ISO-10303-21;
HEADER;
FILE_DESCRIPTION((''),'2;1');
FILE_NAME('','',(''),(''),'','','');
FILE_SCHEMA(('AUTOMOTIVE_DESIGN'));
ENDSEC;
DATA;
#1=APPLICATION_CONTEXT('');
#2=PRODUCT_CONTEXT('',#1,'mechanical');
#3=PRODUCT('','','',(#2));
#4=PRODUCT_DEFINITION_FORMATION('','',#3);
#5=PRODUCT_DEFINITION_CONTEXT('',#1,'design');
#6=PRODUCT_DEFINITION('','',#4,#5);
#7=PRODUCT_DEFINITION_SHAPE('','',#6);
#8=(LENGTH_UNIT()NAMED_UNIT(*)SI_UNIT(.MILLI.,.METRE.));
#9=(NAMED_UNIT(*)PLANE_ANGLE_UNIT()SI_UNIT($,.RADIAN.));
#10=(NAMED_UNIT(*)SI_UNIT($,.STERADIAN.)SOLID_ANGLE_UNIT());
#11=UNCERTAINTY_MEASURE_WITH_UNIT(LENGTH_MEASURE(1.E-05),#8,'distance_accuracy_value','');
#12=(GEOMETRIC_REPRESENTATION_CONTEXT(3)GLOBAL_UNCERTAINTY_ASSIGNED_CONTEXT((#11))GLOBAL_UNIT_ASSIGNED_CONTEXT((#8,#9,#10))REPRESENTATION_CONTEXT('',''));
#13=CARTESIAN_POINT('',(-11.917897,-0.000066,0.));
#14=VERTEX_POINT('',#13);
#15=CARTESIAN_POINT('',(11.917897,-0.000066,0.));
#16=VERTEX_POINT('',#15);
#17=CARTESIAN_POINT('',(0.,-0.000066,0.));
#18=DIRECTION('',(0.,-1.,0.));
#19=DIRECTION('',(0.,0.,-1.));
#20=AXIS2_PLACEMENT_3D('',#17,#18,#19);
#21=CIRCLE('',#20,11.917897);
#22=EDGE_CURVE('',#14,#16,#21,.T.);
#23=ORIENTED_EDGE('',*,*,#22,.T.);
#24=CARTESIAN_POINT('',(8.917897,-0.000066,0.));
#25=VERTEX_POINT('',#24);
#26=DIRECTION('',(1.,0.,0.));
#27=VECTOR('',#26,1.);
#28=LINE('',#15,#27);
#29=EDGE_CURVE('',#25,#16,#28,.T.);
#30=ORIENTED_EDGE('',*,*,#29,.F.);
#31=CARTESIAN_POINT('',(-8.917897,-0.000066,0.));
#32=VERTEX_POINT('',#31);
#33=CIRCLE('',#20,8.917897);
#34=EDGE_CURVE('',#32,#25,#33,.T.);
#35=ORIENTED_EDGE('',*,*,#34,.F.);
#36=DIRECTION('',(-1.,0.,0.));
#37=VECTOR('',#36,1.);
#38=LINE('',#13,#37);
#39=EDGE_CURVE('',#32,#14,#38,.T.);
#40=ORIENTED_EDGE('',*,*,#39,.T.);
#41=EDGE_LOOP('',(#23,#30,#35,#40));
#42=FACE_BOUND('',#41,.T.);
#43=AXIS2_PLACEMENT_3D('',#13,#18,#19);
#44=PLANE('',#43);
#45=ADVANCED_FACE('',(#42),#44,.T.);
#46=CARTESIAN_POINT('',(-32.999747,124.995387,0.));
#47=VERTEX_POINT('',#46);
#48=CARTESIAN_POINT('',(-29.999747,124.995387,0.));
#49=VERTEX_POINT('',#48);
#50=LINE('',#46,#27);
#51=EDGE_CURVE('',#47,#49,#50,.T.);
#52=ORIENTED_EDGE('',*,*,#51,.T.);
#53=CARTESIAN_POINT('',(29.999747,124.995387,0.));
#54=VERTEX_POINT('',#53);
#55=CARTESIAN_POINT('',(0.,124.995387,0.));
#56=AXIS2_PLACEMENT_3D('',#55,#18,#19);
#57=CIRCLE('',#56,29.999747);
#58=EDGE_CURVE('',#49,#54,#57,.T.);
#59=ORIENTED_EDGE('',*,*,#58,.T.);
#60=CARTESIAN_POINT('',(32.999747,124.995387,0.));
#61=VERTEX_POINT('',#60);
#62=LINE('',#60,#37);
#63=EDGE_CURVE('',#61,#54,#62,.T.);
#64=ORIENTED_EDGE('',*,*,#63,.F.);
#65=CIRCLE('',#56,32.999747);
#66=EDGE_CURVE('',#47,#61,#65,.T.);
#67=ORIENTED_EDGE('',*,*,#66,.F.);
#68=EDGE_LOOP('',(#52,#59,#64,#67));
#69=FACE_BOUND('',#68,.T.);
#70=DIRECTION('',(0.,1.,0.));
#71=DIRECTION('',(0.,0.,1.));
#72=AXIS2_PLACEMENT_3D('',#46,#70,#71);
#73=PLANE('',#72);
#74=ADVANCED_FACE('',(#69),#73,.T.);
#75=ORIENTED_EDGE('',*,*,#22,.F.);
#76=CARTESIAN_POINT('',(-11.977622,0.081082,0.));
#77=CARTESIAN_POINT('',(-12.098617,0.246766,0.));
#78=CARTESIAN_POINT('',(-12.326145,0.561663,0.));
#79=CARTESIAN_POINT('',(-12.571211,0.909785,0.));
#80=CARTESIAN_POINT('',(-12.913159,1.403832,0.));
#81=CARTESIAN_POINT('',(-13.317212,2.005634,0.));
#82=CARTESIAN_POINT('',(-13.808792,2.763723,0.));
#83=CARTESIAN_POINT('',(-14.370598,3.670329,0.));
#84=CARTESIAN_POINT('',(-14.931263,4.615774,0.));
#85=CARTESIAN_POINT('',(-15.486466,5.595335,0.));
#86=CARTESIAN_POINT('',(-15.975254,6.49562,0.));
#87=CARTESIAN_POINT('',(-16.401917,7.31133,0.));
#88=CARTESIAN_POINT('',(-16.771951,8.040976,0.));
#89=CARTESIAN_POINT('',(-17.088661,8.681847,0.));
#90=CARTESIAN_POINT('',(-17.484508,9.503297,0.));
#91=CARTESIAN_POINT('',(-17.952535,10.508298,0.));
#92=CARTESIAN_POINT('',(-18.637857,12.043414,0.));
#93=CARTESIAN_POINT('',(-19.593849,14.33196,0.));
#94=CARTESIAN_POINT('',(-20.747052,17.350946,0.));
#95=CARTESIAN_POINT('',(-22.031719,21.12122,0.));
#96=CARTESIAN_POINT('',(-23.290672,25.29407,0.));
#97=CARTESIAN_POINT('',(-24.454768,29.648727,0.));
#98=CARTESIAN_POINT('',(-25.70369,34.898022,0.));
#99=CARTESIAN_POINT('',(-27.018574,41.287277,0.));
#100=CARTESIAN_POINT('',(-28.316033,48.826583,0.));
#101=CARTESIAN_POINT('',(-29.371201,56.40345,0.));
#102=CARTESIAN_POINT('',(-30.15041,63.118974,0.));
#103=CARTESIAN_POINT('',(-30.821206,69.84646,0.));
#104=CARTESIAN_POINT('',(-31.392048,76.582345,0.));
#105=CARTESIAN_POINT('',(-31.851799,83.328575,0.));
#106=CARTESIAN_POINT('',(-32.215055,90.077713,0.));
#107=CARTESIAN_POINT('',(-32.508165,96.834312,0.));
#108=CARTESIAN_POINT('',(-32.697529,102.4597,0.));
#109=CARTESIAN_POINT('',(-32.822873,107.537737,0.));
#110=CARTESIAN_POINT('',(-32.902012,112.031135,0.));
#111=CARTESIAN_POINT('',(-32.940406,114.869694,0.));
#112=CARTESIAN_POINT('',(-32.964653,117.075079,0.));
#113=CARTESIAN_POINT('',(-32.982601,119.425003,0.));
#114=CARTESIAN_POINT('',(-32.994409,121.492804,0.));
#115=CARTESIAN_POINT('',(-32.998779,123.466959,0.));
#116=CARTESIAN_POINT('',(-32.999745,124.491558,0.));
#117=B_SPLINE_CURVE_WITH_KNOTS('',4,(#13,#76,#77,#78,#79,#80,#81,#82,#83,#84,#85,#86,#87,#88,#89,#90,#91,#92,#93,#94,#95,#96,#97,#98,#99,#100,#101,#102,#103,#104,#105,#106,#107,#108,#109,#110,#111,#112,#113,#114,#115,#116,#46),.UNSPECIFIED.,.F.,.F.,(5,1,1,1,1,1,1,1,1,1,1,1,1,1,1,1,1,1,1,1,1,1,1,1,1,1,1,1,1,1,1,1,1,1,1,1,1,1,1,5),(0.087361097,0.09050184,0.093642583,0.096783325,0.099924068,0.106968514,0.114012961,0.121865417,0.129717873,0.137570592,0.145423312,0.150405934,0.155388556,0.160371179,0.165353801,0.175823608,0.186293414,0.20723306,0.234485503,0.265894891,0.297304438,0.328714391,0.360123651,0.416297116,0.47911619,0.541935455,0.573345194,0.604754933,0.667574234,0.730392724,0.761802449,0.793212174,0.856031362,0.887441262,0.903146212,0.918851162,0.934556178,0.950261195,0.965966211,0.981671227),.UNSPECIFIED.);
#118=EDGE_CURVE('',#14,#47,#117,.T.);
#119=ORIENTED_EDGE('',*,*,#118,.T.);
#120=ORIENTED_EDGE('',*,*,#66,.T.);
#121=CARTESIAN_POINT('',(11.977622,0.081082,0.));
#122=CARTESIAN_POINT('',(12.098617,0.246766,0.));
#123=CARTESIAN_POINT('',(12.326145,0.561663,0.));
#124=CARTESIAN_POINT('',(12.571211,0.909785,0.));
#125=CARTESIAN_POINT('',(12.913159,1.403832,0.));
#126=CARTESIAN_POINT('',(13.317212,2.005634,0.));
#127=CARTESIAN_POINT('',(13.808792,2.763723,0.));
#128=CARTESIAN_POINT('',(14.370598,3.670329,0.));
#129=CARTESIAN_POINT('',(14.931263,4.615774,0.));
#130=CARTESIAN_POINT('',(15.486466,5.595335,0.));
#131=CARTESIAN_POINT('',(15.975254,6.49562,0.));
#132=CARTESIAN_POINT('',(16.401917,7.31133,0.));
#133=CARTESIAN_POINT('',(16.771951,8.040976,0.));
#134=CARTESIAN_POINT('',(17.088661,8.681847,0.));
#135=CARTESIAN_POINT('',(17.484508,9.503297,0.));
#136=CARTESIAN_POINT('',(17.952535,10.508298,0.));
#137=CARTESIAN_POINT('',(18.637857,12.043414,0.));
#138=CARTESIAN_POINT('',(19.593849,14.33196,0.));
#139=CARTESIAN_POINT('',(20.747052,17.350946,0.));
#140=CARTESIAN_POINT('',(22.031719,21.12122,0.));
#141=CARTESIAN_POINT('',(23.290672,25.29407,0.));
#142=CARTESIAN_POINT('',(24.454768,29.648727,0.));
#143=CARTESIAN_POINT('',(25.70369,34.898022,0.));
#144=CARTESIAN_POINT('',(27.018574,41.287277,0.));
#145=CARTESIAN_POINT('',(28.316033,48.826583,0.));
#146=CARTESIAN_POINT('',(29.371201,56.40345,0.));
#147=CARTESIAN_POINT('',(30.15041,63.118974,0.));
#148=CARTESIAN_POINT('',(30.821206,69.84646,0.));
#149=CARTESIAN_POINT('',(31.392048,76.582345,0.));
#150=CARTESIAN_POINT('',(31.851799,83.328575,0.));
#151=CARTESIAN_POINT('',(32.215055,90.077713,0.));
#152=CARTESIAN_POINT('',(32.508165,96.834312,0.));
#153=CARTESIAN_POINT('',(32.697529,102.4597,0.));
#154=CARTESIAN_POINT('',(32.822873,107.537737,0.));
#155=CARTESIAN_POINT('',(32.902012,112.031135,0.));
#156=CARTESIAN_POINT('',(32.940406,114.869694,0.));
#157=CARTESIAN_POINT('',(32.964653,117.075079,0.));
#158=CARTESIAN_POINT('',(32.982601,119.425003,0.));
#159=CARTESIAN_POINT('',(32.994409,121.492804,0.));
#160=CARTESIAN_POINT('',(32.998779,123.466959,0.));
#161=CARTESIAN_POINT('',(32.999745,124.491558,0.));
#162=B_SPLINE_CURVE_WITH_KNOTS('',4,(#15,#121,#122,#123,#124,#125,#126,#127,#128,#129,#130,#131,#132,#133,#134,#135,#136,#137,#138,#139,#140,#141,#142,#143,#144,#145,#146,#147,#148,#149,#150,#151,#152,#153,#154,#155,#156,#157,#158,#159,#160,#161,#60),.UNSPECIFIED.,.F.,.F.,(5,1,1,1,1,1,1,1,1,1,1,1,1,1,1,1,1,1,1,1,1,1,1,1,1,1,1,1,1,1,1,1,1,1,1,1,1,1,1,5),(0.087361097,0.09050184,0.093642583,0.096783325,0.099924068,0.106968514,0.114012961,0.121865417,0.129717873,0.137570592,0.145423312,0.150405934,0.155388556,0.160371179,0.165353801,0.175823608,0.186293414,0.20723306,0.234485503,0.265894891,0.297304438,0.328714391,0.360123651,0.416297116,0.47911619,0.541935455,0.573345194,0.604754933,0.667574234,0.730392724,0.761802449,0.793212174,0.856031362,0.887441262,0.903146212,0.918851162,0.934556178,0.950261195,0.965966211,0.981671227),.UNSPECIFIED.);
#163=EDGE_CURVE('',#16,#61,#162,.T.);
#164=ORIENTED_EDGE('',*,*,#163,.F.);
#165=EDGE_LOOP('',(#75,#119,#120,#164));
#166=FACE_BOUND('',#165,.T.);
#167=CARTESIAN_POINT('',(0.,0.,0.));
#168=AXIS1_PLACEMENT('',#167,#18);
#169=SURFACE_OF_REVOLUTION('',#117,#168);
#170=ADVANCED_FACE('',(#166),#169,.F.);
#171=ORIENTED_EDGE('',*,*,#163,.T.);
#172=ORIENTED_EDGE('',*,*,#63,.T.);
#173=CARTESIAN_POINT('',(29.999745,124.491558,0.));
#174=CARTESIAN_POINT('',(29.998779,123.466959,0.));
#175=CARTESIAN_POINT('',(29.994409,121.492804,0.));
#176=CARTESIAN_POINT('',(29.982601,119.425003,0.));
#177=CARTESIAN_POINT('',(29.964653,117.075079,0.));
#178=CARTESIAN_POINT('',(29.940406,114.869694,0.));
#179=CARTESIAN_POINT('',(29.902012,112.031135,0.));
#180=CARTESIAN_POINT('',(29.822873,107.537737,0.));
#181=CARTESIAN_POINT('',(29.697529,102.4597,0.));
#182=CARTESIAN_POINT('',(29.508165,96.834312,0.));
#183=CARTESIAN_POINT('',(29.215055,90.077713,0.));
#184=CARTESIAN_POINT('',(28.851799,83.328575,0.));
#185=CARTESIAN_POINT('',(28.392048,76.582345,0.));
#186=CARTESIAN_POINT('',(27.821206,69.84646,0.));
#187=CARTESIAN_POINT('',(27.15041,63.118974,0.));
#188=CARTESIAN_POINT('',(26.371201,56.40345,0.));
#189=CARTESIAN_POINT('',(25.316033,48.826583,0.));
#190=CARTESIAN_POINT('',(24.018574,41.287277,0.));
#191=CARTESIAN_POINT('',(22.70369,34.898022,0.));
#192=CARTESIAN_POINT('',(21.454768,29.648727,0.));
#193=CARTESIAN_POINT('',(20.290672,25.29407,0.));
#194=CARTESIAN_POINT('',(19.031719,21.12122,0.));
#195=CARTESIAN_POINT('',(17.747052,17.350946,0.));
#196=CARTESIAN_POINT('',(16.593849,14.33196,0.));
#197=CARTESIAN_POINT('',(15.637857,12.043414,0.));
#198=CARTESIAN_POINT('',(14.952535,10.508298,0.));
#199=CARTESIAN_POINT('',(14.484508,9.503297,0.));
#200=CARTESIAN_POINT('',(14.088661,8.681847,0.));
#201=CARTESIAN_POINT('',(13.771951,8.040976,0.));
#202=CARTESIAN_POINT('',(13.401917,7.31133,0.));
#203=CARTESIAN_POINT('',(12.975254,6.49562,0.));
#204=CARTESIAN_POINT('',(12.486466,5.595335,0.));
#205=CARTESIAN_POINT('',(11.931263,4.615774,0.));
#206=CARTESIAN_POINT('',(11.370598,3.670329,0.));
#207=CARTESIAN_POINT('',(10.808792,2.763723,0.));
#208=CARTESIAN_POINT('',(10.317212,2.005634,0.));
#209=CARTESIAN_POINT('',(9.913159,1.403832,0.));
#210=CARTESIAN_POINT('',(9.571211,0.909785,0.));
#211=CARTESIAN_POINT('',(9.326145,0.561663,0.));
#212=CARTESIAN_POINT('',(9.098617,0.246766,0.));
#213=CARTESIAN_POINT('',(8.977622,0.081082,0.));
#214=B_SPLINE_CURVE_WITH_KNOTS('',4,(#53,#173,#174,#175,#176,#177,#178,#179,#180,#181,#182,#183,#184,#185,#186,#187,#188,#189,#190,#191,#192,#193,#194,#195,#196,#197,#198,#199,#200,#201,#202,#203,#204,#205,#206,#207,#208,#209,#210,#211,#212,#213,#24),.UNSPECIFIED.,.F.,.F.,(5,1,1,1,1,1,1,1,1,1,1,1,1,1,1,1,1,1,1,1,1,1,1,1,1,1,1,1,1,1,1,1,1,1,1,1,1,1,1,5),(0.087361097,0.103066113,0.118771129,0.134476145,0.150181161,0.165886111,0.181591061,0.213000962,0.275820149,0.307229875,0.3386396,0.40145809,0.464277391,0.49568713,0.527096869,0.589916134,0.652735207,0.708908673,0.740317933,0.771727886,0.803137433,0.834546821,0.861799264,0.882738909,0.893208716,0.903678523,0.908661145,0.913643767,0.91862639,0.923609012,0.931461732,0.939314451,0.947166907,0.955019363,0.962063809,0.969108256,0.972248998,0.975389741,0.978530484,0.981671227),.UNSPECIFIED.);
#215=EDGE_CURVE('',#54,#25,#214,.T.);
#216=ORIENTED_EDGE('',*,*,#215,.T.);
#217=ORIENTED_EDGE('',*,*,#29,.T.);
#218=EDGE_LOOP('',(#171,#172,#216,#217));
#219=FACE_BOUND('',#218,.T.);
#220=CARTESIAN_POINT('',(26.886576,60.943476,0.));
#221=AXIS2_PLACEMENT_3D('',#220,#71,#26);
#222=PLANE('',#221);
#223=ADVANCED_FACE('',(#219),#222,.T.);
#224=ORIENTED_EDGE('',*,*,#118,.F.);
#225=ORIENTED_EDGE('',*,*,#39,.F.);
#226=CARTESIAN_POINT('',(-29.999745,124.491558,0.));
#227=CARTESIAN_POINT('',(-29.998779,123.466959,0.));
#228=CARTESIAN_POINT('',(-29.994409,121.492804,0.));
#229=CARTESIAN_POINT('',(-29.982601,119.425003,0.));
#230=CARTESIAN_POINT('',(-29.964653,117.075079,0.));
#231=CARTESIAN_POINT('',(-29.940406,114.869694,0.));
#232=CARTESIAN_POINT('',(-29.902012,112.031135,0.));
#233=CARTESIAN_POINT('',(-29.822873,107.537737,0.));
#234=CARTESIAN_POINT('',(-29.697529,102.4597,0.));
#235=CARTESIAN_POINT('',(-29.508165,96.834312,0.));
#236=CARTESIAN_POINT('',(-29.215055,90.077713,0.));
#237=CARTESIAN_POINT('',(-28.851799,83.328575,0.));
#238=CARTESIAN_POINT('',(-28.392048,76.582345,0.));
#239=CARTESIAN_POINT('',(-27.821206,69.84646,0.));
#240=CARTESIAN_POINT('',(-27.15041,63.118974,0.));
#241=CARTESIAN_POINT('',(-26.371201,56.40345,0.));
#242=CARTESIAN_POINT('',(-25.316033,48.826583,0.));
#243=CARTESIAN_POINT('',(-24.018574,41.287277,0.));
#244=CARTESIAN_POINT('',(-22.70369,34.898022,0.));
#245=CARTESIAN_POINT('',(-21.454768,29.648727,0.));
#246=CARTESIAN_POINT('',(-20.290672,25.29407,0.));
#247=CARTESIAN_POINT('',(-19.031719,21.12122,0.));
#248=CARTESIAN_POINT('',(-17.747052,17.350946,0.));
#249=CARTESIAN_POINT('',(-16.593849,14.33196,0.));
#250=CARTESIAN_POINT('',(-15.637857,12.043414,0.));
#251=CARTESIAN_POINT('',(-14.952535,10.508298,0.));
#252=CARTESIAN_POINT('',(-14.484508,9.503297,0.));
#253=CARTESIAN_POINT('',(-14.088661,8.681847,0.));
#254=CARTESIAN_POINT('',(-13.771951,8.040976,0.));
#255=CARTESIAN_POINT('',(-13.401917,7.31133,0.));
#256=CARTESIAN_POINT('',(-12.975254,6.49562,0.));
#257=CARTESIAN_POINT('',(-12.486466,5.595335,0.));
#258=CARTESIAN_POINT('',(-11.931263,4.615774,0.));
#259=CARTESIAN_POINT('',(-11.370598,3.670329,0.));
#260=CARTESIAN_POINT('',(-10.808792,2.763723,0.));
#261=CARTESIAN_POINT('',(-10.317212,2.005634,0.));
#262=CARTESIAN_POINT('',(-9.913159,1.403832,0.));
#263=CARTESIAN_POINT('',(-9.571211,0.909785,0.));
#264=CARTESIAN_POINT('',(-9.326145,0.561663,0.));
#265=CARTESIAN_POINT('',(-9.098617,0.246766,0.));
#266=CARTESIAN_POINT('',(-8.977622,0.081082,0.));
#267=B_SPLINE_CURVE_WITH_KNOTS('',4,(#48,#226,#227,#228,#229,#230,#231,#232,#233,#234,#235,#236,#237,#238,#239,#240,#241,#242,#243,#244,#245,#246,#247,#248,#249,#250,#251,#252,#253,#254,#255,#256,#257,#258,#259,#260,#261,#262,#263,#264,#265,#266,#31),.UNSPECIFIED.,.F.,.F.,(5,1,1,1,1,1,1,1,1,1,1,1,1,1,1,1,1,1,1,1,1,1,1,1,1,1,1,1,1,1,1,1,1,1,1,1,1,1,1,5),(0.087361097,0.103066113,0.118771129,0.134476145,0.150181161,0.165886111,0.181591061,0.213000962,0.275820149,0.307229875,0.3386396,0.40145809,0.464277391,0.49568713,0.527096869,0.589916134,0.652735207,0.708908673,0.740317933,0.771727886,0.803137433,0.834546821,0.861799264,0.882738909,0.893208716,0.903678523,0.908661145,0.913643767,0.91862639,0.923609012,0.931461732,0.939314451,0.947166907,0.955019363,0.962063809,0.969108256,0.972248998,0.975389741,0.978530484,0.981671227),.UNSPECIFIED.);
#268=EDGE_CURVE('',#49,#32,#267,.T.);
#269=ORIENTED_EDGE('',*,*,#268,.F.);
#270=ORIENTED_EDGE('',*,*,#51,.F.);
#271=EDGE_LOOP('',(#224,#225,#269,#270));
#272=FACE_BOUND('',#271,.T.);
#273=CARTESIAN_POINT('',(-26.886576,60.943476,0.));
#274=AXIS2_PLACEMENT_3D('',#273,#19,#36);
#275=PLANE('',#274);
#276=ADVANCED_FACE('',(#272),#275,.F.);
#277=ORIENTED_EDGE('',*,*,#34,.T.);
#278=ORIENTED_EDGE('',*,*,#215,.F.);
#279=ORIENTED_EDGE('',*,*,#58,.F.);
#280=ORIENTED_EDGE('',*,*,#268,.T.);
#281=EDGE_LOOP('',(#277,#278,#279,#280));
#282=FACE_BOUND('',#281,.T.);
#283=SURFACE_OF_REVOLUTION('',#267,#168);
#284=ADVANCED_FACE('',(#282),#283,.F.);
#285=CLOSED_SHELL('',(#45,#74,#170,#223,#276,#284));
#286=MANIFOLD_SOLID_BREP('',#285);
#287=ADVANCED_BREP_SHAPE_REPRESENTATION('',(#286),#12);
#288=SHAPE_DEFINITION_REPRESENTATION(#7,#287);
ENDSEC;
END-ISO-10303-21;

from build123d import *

# Parameters (mm, degrees)
REVOLVE1_ANGLE = 180


with BuildPart() as part:
    # Sketch2 → Revolve1 (revolve)
    with BuildSketch(Plane.XY):
        with BuildLine():
            Line((32.999747308, 124.995387398), (29.999747307, 124.995387398))
            add(Edge.make_bspline(
                [(29.999747307, 124.995387398), (29.999744787, 124.491558359), (29.998778717, 123.466958813), (29.994409039, 121.492804005), (29.98260107, 119.425003129), (29.964652603, 117.075078817), (29.940405841, 114.869694198), (29.902012332, 112.031134847), (29.822872948, 107.537736611), (29.697528586, 102.459699856), (29.508165461, 96.83431204), (29.215055152, 90.077713468), (28.851799071, 83.328575087), (28.392047627, 76.582344711), (27.821206455, 69.846460404), (27.150410489, 63.118974212), (26.371200703, 56.403449958), (25.316033476, 48.826583368), (24.018574416, 41.287276739), (22.703689511, 34.898022228), (21.454767686, 29.648726949), (20.290672347, 25.294069791), (19.031718709, 21.121220156), (17.7470521, 17.350946471), (16.593848768, 14.331959887), (15.637856993, 12.043413533), (14.952534959, 10.508297609), (14.48450836, 9.503296736), (14.088661491, 8.681846678), (13.771951211, 8.040976272), (13.401916724, 7.311330496), (12.975253523, 6.495620116), (12.48646562, 5.595335326), (11.931262766, 4.615773737), (11.370598226, 3.670329183), (10.808792247, 2.763723376), (10.317212101, 2.005634263), (9.913158537, 1.403832257), (9.571210585, 0.909784823), (9.326145202, 0.561662718), (9.098616969, 0.246765577), (8.977621835, 0.081082226), (8.917896564, -6.5515e-05)],
                knots=[0.087361097, 0.087361097, 0.087361097, 0.087361097, 0.087361097, 0.103066113, 0.118771129, 0.134476145, 0.150181161, 0.165886111, 0.181591061, 0.213000962, 0.275820149, 0.307229875, 0.3386396, 0.40145809, 0.464277391, 0.49568713, 0.527096869, 0.589916134, 0.652735207, 0.708908673, 0.740317933, 0.771727886, 0.803137433, 0.834546821, 0.861799264, 0.882738909, 0.893208716, 0.903678523, 0.908661145, 0.913643767, 0.91862639, 0.923609012, 0.931461732, 0.939314451, 0.947166907, 0.955019363, 0.962063809, 0.969108256, 0.972248998, 0.975389741, 0.978530484, 0.981671227, 0.981671227, 0.981671227, 0.981671227, 0.981671227], degree=4))
            Line((8.917896564, -6.5515e-05), (11.917896564, -6.5515e-05))
            add(Edge.make_bspline(
                [(32.999747308, 124.995387398), (32.999744789, 124.491558359), (32.998778718, 123.466958813), (32.99440904, 121.492804005), (32.982601071, 119.425003129), (32.964652604, 117.075078816), (32.940405842, 114.869694198), (32.902012333, 112.031134847), (32.822872949, 107.537736611), (32.697528587, 102.459699855), (32.508165462, 96.83431204), (32.215055153, 90.077713468), (31.851799072, 83.328575087), (31.392047628, 76.582344711), (30.821206456, 69.846460404), (30.15041049, 63.118974211), (29.371200703, 56.403449958), (28.316033477, 48.826583368), (27.018574416, 41.287276739), (25.703689512, 34.898022228), (24.454767687, 29.648726948), (23.290672347, 25.294069791), (22.031718709, 21.121220156), (20.747052101, 17.350946471), (19.593848768, 14.331959887), (18.637856994, 12.043413533), (17.952534959, 10.508297609), (17.48450836, 9.503296736), (17.088661491, 8.681846678), (16.771951211, 8.040976272), (16.401916724, 7.311330496), (15.975253523, 6.495620116), (15.48646562, 5.595335326), (14.931262766, 4.615773737), (14.370598227, 3.670329183), (13.808792247, 2.763723376), (13.317212101, 2.005634263), (12.913158537, 1.403832257), (12.571210585, 0.909784823), (12.326145202, 0.561662718), (12.098616969, 0.246765577), (11.977621835, 0.081082226), (11.917896564, -6.5515e-05)],
                knots=[0.087361097, 0.087361097, 0.087361097, 0.087361097, 0.087361097, 0.103066113, 0.118771129, 0.134476145, 0.150181161, 0.165886111, 0.181591061, 0.213000962, 0.275820149, 0.307229875, 0.3386396, 0.40145809, 0.464277391, 0.49568713, 0.527096869, 0.589916134, 0.652735207, 0.708908673, 0.740317933, 0.771727886, 0.803137433, 0.834546821, 0.861799264, 0.882738909, 0.893208716, 0.903678523, 0.908661145, 0.913643767, 0.91862639, 0.923609012, 0.931461732, 0.939314451, 0.947166907, 0.955019363, 0.962063809, 0.969108256, 0.972248998, 0.975389741, 0.978530484, 0.981671227, 0.981671227, 0.981671227, 0.981671227, 0.981671227], degree=4))
        make_face()
    revolve(axis=Axis((0, 0, 0), (0, 1, 0)), revolution_arc=REVOLVE1_ANGLE)


solid = part.part
